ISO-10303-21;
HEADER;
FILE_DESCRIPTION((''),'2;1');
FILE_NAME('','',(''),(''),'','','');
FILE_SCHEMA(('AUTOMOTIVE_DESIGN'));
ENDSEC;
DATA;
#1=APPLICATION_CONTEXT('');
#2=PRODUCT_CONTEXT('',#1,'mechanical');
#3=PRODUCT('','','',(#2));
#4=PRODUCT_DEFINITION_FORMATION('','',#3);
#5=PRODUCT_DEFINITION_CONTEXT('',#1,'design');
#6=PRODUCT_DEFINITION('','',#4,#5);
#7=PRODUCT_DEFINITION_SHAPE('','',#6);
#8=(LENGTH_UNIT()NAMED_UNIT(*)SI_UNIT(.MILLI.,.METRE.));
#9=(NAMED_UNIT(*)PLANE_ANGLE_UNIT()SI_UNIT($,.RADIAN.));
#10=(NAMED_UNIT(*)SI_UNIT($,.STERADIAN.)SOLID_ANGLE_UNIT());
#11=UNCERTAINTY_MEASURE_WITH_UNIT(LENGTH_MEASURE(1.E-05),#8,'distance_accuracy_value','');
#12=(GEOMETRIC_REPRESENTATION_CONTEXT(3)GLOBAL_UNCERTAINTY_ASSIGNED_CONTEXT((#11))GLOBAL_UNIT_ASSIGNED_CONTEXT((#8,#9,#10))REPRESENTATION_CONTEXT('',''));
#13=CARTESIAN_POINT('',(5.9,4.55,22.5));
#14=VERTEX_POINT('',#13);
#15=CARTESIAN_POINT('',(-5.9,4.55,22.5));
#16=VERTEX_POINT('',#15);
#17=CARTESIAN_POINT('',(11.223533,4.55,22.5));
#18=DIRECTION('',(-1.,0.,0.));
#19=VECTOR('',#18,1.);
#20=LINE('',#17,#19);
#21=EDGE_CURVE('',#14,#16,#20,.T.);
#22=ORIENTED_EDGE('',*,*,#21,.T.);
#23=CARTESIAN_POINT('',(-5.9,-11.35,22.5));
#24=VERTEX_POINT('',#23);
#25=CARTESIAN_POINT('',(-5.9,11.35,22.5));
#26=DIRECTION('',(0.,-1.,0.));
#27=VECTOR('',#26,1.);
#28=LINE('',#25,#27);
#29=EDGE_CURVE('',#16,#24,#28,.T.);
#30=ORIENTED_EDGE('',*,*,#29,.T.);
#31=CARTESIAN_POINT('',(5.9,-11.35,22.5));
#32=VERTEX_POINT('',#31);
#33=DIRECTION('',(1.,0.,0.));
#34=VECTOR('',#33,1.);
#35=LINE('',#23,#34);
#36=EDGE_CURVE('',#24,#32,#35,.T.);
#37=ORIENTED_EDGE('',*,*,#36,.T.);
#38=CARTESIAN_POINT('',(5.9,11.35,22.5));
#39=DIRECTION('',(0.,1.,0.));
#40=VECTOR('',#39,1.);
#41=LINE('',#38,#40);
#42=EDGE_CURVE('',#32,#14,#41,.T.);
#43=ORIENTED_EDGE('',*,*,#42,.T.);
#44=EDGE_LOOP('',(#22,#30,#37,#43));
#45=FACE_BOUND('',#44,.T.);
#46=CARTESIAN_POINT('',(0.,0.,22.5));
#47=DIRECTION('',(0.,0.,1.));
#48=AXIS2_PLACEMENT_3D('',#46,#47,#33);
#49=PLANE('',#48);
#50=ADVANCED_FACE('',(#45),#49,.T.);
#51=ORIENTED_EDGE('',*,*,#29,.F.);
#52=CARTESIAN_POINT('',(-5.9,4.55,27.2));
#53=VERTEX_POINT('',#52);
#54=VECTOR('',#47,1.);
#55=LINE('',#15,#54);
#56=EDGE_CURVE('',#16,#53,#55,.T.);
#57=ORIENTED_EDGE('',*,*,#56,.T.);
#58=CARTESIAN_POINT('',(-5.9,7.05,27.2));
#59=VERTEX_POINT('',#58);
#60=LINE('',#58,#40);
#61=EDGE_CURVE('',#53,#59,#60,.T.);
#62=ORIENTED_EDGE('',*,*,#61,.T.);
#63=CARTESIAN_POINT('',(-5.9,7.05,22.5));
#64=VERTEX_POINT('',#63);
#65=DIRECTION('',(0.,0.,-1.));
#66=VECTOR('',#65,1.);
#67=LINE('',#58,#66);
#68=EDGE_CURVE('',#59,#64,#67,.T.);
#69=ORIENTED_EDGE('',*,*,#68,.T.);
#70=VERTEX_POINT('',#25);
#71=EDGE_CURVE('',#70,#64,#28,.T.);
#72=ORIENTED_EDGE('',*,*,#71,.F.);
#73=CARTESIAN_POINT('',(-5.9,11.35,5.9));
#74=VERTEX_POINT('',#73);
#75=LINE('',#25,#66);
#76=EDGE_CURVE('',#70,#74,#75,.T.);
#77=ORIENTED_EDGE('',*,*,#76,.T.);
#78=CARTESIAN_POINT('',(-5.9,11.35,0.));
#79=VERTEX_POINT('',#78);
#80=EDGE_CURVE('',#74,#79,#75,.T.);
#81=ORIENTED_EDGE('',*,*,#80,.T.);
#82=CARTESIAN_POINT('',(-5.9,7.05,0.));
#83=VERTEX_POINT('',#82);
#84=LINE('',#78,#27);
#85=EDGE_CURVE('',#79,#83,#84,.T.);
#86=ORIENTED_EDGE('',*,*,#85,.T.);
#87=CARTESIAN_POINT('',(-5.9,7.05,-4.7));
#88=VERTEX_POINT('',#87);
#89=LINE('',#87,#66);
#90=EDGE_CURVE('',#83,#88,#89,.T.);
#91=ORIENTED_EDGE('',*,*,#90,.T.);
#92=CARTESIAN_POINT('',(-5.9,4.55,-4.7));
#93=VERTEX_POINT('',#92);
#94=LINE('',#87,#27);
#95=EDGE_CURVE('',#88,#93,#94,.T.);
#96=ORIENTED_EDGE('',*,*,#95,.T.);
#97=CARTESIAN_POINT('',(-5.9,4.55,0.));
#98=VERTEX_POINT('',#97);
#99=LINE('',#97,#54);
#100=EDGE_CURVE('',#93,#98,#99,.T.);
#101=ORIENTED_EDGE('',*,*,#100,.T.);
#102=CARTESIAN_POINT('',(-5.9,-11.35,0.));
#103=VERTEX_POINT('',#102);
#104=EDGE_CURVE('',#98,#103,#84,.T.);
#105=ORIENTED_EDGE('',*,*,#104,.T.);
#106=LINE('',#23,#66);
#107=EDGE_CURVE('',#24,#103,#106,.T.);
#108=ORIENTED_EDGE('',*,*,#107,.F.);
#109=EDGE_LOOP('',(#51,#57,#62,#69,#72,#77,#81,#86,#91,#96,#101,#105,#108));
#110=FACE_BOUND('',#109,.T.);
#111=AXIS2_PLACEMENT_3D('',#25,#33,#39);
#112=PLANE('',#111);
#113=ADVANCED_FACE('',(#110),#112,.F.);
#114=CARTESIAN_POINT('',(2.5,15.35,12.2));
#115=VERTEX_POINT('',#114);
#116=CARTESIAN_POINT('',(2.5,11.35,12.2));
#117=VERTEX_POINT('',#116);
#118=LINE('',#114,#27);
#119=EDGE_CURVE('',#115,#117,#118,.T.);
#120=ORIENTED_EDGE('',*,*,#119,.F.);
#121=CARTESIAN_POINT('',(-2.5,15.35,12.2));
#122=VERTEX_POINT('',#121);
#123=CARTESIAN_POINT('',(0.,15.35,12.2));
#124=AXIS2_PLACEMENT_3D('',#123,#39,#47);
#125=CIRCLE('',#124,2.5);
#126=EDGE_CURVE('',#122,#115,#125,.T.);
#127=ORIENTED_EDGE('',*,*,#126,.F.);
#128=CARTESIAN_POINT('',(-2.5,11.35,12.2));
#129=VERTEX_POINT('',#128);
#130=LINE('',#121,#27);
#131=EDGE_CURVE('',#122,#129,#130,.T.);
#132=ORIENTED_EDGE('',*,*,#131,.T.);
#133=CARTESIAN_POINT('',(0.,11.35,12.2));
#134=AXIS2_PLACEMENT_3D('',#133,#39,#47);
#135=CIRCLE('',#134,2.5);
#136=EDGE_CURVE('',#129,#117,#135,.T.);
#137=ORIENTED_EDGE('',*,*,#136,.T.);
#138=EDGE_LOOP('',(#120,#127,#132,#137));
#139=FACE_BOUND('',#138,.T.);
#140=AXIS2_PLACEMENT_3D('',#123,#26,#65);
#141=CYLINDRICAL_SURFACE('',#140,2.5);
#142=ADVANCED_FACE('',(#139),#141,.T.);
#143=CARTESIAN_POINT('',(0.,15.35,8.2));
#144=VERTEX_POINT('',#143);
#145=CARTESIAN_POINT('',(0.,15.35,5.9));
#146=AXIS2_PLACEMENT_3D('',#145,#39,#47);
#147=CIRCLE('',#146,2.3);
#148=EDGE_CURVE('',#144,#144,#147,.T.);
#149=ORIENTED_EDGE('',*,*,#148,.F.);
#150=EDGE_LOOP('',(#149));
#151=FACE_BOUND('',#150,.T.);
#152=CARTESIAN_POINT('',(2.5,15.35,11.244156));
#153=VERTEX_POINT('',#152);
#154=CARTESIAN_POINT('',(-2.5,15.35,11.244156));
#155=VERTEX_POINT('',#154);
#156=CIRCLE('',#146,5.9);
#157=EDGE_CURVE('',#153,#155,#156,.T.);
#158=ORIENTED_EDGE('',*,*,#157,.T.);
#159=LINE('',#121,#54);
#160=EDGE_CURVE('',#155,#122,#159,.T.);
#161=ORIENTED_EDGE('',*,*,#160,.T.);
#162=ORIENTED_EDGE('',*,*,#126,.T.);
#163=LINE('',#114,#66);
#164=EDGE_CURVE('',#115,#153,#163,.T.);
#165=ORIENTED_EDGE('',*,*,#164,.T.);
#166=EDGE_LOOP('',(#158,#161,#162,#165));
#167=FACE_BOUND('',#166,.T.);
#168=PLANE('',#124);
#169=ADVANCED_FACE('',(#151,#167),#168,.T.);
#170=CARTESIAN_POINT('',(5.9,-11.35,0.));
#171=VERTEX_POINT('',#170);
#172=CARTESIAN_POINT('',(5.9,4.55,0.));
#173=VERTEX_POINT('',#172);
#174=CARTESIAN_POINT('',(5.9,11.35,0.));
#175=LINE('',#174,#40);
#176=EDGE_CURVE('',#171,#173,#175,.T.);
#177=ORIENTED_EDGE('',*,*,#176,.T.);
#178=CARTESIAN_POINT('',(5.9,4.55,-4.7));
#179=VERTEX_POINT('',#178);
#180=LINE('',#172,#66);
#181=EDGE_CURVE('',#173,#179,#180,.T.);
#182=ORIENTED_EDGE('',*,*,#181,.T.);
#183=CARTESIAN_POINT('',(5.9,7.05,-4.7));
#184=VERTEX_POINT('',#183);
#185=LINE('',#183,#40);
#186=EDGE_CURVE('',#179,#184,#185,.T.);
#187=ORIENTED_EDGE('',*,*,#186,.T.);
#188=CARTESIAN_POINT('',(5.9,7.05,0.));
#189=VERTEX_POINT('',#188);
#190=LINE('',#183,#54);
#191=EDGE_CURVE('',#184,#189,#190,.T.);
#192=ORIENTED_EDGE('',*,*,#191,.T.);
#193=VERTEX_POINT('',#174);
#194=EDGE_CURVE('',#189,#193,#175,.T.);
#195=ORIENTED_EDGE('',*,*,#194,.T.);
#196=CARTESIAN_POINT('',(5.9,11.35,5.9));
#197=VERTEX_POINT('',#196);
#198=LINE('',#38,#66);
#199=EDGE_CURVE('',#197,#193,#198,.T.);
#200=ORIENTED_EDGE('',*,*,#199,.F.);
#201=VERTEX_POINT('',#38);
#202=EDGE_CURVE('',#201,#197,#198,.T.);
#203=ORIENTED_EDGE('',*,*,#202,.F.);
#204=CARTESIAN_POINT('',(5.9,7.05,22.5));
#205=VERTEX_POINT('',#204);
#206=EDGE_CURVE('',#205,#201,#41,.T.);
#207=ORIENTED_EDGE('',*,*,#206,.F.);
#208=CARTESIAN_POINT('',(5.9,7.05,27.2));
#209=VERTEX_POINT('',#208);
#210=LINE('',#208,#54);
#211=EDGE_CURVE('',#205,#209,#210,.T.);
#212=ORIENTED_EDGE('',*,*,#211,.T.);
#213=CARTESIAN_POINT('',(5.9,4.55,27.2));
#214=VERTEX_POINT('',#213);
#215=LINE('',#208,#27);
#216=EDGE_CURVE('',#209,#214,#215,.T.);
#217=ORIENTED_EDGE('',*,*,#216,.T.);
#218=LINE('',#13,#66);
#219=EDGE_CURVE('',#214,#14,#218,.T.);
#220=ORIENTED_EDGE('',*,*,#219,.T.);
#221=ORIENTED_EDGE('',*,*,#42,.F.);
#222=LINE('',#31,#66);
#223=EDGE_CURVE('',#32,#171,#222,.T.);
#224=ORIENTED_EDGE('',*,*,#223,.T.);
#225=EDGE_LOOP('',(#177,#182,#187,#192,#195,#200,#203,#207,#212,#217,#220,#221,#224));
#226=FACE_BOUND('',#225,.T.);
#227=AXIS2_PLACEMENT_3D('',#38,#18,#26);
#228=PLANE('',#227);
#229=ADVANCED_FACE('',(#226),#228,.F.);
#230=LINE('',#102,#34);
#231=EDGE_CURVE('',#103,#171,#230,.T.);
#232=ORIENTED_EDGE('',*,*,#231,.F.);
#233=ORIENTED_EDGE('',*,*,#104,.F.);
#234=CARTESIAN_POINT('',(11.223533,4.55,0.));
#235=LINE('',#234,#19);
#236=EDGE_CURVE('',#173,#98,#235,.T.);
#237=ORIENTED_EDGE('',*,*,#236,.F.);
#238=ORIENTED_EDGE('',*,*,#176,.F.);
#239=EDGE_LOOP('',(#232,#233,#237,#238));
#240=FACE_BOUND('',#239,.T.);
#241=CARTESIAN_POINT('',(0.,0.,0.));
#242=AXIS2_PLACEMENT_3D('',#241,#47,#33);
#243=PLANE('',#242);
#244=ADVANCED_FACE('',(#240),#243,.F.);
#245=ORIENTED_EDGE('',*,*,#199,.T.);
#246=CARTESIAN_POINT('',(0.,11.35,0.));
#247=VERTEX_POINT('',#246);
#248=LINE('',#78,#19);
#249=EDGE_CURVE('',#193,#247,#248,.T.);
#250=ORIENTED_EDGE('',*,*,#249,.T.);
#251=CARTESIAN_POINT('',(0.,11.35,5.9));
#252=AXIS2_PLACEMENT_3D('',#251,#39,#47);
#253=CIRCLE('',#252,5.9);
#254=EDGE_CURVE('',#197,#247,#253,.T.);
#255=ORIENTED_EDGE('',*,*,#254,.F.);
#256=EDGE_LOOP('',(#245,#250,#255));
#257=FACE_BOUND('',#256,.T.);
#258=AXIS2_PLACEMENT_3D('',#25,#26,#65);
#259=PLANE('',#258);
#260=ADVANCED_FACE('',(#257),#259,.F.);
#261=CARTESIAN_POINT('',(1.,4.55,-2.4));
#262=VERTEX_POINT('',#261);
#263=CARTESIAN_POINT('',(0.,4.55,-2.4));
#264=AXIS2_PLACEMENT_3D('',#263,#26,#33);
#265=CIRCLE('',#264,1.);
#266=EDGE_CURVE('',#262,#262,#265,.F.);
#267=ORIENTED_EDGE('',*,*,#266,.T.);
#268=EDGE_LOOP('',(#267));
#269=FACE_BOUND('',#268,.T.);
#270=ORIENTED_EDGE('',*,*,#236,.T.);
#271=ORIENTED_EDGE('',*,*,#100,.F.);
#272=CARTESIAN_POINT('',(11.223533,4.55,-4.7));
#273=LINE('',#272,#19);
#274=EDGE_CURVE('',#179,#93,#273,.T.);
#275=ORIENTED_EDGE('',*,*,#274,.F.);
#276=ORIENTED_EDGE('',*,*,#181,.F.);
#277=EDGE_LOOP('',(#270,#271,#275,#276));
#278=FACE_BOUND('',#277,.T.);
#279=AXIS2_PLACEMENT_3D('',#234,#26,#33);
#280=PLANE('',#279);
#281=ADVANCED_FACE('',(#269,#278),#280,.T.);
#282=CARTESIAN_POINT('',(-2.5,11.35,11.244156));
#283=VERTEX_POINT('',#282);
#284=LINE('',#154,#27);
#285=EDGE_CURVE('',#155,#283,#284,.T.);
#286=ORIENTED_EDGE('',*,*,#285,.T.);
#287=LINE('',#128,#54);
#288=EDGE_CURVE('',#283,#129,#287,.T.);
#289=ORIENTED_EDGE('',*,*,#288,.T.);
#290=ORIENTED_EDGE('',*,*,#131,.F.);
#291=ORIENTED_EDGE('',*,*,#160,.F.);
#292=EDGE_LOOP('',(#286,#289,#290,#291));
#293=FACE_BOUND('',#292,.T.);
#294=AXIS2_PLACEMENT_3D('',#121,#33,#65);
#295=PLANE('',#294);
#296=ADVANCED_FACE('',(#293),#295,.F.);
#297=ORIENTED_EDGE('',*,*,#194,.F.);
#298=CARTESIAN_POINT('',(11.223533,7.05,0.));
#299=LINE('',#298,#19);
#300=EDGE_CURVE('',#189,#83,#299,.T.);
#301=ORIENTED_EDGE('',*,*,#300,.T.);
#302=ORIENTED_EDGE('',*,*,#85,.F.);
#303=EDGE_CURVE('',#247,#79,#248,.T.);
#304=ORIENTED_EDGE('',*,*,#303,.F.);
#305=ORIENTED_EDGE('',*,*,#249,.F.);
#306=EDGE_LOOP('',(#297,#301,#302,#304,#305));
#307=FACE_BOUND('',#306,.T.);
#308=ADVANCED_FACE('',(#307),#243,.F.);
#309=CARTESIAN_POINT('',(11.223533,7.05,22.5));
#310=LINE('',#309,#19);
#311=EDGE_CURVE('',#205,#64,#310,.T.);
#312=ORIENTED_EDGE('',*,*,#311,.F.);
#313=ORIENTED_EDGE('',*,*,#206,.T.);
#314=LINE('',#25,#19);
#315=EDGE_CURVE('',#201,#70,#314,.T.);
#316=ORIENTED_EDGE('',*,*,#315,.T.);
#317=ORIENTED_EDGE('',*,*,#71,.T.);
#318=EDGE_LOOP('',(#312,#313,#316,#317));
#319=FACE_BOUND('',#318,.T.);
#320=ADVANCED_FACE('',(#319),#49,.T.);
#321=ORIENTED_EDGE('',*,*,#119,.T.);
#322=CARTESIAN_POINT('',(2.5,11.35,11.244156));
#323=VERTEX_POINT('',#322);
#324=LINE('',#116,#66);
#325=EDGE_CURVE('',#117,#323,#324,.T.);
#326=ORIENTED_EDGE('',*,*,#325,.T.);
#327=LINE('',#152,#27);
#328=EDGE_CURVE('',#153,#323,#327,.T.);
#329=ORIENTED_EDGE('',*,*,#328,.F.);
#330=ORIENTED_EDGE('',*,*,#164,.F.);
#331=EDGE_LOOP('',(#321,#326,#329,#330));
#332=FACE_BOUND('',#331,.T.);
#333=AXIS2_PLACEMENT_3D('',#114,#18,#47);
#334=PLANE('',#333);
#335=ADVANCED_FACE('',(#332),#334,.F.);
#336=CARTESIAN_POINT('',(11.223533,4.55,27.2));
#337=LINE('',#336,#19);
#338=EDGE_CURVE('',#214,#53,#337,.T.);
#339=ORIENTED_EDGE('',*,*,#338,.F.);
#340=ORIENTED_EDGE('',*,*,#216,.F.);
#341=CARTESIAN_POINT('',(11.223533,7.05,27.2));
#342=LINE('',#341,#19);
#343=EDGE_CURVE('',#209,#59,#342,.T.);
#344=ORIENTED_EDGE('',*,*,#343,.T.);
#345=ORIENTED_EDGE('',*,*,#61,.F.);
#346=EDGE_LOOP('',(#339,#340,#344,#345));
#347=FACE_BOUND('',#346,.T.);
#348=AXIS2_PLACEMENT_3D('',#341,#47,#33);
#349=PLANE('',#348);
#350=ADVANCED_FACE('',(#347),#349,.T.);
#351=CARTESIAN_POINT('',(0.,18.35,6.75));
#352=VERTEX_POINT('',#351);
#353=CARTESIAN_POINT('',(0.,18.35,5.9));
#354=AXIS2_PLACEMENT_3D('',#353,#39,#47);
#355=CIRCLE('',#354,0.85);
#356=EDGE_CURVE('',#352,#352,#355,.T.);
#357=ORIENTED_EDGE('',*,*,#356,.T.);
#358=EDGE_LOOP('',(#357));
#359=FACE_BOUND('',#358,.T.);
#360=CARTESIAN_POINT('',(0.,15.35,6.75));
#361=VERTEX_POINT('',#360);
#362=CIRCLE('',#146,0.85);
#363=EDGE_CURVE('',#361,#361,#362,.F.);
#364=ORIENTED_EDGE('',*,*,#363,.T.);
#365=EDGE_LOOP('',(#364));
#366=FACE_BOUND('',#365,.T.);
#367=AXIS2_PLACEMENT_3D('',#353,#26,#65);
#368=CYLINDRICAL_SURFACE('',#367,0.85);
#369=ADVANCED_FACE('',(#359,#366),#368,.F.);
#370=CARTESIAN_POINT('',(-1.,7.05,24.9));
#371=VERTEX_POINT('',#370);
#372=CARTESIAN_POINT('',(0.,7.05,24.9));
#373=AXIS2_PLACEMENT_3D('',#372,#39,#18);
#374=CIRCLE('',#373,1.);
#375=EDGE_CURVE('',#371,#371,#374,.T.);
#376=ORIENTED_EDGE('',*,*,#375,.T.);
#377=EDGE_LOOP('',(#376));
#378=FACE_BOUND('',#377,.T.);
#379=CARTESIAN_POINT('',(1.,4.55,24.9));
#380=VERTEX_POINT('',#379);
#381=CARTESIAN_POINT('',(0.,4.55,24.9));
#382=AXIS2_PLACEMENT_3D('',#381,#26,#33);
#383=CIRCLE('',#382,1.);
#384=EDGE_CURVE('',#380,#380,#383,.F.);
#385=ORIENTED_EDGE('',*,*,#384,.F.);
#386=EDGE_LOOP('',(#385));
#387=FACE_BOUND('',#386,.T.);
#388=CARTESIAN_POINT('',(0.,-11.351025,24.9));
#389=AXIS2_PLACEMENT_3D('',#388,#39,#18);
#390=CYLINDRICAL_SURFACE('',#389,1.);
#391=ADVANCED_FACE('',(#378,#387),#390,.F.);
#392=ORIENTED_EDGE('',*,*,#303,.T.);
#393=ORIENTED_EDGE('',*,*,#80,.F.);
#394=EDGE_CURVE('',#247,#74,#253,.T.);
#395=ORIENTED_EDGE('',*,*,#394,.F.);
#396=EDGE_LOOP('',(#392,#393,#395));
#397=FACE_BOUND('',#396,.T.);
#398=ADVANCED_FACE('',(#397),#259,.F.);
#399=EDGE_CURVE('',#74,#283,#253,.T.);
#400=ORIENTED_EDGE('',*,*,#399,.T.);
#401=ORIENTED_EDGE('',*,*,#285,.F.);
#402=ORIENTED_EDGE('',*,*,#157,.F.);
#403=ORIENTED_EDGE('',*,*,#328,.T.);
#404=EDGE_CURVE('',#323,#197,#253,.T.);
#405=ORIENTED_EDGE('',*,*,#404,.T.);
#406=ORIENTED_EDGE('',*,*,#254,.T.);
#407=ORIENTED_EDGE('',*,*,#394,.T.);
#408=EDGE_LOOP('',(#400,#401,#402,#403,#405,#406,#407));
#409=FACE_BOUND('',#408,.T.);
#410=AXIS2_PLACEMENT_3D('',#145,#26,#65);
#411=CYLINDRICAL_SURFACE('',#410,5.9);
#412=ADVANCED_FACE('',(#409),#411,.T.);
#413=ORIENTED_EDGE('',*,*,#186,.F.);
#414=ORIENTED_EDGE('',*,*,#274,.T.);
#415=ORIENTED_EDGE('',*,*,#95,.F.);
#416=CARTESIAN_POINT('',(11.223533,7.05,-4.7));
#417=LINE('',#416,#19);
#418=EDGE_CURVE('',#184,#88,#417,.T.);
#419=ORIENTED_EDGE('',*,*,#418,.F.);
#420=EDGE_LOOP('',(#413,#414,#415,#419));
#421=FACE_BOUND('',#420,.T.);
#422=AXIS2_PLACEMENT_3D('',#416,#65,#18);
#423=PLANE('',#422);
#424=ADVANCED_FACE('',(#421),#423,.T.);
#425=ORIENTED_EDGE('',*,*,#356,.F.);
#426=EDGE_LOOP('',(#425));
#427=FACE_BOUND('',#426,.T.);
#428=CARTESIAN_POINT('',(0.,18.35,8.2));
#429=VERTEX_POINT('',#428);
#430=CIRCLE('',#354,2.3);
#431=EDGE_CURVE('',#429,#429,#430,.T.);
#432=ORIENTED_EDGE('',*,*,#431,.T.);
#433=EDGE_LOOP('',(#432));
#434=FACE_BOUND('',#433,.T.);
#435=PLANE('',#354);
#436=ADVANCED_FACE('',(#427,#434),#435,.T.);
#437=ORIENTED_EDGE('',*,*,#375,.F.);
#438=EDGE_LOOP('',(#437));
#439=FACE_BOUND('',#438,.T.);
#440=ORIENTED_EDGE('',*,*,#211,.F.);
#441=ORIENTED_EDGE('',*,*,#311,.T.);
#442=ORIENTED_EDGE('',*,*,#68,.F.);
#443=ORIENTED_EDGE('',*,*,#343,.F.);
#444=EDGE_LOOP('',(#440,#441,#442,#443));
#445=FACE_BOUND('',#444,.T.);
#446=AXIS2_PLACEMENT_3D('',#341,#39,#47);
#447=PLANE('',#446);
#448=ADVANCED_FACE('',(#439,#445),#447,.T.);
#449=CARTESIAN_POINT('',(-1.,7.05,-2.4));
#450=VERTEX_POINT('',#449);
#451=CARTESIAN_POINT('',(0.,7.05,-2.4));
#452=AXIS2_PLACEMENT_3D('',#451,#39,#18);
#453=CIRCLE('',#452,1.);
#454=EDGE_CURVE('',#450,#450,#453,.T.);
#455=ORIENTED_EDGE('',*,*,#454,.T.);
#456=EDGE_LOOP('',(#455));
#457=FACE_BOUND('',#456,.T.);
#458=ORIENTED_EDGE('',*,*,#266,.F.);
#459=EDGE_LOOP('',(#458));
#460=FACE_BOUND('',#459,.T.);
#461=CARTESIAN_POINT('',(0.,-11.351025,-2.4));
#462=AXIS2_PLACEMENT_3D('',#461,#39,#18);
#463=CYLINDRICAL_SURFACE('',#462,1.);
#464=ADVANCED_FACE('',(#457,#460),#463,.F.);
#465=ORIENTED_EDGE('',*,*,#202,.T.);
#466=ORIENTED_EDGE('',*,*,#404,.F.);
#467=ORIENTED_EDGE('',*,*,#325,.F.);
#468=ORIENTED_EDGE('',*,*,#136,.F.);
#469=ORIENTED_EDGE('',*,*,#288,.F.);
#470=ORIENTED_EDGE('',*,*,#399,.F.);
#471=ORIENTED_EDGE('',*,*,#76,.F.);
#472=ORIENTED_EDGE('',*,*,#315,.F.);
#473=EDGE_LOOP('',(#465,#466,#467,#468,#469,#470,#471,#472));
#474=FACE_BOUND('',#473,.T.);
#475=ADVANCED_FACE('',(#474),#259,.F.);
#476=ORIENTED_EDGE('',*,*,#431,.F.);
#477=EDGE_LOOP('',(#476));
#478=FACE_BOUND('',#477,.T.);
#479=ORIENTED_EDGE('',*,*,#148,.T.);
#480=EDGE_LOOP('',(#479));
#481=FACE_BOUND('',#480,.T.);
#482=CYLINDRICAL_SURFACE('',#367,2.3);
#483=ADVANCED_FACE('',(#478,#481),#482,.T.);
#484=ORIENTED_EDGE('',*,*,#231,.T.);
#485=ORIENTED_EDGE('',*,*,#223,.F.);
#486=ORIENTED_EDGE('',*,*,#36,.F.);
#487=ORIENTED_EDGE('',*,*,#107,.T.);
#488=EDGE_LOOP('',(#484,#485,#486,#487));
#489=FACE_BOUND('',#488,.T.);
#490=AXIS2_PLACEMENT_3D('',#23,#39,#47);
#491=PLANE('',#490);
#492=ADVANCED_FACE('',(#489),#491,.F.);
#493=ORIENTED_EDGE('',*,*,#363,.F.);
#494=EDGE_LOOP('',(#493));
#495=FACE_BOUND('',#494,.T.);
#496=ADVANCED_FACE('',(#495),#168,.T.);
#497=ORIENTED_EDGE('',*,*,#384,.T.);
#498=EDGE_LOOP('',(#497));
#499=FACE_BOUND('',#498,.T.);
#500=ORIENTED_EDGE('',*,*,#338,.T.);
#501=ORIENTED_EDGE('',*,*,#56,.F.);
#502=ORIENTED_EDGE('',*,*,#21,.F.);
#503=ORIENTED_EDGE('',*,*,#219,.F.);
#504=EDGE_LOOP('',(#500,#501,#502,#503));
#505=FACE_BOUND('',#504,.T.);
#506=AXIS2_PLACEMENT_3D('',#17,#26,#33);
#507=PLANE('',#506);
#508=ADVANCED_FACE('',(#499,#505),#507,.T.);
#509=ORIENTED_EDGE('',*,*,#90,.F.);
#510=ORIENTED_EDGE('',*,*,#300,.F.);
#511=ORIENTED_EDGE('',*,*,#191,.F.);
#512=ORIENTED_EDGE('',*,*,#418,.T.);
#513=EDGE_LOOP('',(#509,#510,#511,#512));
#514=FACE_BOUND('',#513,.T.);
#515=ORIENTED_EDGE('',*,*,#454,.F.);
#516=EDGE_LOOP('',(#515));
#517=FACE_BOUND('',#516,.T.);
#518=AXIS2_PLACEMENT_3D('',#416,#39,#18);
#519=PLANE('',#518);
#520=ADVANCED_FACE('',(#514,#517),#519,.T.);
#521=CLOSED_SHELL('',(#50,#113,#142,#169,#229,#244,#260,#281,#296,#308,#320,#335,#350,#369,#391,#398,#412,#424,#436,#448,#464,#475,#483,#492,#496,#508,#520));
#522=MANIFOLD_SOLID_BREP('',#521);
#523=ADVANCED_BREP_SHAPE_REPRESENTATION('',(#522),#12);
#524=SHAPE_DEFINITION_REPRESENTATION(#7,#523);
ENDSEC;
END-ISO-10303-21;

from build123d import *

# Parameters (mm, degrees)
SKETCH1_W           = 11.8
SKETCH1_H           = 22.7
BOSS_EXTRUDE1_DEPTH = 22.5
BOSS_EXTRUDE2_DEPTH = 4
SKETCH3_R           = 2.3
SKETCH3_R_2         = 0.85
BOSS_EXTRUDE3_DEPTH = 3
SKETCH4_W           = 4.7
SKETCH4_H           = 2.5
BOSS_EXTRUDE4_DEPTH = 11.8
CUT_EXTRUDE1_REACH  = 35.365
SKETCH5_R           = 1


with BuildPart() as part:
    # Sketch1 → Boss-Extrude1 (new body)
    with BuildSketch(Plane.XY):
        Rectangle(SKETCH1_W, SKETCH1_H)
    extrude(amount=BOSS_EXTRUDE1_DEPTH)

    # Sketch2 → Boss-Extrude2 (add)
    with BuildSketch(Plane(origin=(0, 11.35, 0), x_dir=(1, 0, 0), z_dir=(0, 1, 0))):
        with BuildLine():
            Line((2.5, -12.2), (2.5, -11.244155686))
            ThreePointArc((2.5, -11.244155686), (0, 0), (-2.5, -11.244155686))
            Line((-2.5, -11.244155686), (-2.5, -12.2))
            ThreePointArc((-2.5, -12.2), (0, -14.7), (2.5, -12.2))
        make_face()
    extrude(amount=BOSS_EXTRUDE2_DEPTH)

    # Sketch3 → Boss-Extrude3 (add)
    with BuildSketch(Plane(origin=(0, 15.35, 0), x_dir=(1, 0, 0), z_dir=(0, 1, 0))):
        with Locations(Location((0, -5.9, 0), (0, 0, 270))):
            Circle(SKETCH3_R)
        with Locations(Location((0, -5.9, 0), (0, 0, 270))):
            Circle(SKETCH3_R_2, mode=Mode.SUBTRACT)
    extrude(amount=BOSS_EXTRUDE3_DEPTH)

    # Sketch4 → Boss-Extrude4 (add)
    with BuildSketch(Plane.ZY.offset(5.9)):
        with Locations((-2.35, 5.8)):
            Rectangle(SKETCH4_W, SKETCH4_H)
        with Locations((24.85, 5.8)):
            Rectangle(SKETCH4_W, SKETCH4_H)
    extrude(amount=-BOSS_EXTRUDE4_DEPTH)

    # Sketch5 → Cut-Extrude1 (cut, up to next)
    with BuildSketch(Plane(origin=(0, 7.05, 0), x_dir=(1, 0, 0), z_dir=(0, 1, 0)), mode=Mode.PRIVATE) as cut_extrude1_sk1:
        with Locations(Location((0, 2.4, 0), (0, 0, 180))):
            Circle(SKETCH5_R)
    cut_extrude1_tool1 = extrude(cut_extrude1_sk1.sketch, amount=-CUT_EXTRUDE1_REACH, mode=Mode.PRIVATE) & part.part
    # Sketch5 → Cut-Extrude1 (cut, up to next)
    with BuildSketch(Plane(origin=(0, 7.05, 0), x_dir=(1, 0, 0), z_dir=(0, 1, 0)), mode=Mode.PRIVATE) as cut_extrude1_sk2:
        with Locations(Location((0, -24.9, 0), (0, 0, 180))):
            Circle(SKETCH5_R)
    cut_extrude1_tool2 = extrude(cut_extrude1_sk2.sketch, amount=-CUT_EXTRUDE1_REACH, mode=Mode.PRIVATE) & part.part
    add(cut_extrude1_tool1.solids().sort_by_distance((0, 7.05, -2.4))[0], mode=Mode.SUBTRACT)
    add(cut_extrude1_tool2.solids().sort_by_distance((0, 7.05, 24.9))[0], mode=Mode.SUBTRACT)


solid = part.part
